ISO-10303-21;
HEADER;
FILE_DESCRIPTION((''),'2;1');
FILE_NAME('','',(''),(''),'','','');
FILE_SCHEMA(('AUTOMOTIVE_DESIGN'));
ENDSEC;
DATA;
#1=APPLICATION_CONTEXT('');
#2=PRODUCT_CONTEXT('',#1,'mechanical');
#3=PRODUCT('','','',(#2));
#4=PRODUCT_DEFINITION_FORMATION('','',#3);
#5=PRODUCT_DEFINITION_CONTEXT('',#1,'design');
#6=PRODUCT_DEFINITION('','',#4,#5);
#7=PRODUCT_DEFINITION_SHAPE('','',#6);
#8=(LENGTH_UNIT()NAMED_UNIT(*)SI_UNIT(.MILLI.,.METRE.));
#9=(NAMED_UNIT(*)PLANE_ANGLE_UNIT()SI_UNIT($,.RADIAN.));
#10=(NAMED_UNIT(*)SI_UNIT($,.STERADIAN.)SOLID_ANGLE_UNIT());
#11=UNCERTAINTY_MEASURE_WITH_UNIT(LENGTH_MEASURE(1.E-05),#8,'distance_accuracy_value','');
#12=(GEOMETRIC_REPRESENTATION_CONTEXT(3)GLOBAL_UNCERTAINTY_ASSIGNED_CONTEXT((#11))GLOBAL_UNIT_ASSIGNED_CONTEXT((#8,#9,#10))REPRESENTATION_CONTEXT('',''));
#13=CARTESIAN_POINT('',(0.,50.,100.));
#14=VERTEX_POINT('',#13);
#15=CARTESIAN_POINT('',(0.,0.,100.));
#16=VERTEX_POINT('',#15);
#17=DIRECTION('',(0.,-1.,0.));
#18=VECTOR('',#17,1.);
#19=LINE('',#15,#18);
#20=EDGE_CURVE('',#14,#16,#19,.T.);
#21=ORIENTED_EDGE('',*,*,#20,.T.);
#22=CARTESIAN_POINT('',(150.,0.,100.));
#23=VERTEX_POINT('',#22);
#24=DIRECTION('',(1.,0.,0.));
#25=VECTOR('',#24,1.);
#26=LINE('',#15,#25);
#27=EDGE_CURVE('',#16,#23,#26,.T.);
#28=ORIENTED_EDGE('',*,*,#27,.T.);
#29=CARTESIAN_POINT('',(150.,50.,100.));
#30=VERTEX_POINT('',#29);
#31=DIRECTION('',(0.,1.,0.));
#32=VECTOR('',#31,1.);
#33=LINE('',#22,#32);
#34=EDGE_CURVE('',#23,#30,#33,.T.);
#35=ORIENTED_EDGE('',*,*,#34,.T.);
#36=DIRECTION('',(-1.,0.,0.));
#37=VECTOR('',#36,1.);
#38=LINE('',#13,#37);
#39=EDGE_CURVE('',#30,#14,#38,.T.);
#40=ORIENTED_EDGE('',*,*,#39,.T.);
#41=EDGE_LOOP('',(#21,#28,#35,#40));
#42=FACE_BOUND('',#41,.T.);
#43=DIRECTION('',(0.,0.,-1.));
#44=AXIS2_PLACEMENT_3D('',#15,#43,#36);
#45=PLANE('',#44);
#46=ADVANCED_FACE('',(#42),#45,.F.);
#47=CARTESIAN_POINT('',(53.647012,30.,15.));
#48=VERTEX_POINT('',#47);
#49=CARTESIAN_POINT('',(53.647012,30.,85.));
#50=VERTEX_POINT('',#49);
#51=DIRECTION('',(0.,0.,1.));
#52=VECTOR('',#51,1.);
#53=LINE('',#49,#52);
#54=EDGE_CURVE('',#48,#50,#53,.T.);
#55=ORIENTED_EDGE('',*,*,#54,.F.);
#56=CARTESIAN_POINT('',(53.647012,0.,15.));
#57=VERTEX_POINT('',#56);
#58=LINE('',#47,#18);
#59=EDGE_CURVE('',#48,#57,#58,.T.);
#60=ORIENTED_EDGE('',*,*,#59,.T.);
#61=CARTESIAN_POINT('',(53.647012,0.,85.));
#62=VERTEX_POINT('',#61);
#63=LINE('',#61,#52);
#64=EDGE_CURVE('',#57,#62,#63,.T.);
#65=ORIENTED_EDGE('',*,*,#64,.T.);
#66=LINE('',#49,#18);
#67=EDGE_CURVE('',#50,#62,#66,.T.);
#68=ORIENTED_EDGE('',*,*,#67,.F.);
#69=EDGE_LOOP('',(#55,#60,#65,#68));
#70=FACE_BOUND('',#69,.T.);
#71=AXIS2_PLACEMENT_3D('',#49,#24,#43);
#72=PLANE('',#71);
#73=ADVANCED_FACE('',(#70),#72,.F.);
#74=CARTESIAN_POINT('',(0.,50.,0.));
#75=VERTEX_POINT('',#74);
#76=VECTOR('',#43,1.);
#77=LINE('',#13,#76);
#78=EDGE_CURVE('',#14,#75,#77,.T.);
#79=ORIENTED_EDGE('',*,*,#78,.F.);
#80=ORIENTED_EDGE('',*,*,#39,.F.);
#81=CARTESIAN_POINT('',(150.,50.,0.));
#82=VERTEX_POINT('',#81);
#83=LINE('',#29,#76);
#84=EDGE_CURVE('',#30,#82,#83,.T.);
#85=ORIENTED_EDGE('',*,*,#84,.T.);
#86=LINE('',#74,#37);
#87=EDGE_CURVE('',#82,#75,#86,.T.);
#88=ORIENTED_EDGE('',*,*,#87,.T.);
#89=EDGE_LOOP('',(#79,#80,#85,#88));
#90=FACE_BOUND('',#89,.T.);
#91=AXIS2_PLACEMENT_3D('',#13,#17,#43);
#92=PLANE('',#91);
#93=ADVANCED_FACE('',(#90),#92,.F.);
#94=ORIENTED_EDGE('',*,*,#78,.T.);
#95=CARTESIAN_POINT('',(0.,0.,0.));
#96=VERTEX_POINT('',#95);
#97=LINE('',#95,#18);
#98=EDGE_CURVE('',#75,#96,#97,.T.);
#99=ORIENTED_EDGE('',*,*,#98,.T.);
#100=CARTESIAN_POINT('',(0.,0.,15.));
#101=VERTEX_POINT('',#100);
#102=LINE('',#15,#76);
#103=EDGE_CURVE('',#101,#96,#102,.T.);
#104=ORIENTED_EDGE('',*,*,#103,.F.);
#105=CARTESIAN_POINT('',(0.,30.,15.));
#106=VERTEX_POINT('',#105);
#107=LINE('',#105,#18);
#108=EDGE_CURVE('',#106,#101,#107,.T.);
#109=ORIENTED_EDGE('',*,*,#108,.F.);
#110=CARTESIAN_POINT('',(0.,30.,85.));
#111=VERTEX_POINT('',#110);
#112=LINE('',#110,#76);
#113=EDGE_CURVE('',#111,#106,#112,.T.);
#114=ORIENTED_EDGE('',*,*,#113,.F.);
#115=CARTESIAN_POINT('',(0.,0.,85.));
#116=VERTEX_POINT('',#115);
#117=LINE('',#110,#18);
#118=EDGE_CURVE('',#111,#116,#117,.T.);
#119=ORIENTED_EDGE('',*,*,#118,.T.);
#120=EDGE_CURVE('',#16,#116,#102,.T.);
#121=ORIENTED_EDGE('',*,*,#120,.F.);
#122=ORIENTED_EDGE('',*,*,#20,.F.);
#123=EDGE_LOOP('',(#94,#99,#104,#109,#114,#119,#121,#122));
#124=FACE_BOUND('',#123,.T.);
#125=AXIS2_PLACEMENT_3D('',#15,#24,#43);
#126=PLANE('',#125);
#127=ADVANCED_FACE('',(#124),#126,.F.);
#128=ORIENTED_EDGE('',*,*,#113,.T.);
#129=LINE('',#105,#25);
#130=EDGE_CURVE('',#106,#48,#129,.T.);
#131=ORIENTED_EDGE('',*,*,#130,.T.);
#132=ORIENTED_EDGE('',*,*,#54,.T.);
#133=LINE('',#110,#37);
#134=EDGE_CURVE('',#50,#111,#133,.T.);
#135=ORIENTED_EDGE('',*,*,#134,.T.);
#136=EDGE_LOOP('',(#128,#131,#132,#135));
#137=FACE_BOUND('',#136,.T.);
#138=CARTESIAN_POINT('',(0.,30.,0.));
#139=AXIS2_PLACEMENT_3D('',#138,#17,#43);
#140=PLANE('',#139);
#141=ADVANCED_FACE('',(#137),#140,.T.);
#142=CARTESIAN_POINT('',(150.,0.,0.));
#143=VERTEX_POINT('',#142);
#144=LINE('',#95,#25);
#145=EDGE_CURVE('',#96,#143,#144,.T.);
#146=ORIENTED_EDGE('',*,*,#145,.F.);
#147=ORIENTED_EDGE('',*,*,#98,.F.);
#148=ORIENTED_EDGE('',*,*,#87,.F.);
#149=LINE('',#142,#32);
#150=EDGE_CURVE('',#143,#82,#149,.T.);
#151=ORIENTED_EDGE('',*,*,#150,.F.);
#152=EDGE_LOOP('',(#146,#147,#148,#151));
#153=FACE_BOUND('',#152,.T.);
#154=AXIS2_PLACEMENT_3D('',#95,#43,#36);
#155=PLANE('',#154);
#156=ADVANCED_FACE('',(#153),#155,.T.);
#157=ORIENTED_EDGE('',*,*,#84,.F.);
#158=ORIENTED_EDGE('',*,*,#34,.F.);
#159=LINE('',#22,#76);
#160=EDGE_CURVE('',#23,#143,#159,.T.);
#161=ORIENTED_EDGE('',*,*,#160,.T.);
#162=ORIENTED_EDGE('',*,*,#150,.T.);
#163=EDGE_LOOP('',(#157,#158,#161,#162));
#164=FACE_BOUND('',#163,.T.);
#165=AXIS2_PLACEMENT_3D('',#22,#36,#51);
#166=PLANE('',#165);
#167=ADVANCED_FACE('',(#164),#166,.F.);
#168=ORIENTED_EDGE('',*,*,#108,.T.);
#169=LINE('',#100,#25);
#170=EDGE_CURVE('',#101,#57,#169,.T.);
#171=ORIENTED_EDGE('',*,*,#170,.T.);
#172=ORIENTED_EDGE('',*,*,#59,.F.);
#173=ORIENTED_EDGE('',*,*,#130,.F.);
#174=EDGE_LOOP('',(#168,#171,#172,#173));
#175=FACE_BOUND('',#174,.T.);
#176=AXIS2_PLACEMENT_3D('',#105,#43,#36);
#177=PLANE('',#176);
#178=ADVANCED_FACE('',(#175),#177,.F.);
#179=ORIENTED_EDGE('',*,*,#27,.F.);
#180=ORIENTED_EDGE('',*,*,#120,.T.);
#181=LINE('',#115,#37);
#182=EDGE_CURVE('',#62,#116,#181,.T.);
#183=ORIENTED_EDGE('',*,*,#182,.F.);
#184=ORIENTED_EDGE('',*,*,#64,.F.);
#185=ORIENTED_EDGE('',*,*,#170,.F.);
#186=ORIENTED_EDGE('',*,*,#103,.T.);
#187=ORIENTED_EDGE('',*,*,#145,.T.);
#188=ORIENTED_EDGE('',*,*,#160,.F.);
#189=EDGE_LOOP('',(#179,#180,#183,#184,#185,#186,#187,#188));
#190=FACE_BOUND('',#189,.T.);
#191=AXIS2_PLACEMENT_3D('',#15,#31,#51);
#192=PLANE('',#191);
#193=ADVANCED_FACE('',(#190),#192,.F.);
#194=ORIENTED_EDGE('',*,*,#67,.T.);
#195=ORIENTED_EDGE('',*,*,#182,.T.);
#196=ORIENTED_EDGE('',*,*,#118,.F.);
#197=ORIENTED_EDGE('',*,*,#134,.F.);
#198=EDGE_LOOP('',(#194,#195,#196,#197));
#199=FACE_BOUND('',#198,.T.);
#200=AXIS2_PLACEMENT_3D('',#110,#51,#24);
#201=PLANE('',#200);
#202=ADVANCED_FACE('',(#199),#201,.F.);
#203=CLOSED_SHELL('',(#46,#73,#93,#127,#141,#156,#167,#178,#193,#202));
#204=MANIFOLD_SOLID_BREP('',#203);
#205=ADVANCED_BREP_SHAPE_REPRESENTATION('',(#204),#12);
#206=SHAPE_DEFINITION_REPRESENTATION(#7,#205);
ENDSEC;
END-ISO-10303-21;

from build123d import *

# Parameters (mm, degrees)
SKETCH1_W           = 150
SKETCH1_H           = 50
BOSS_EXTRUDE1_DEPTH = 100
SKETCH2_W           = 53.64701246
SKETCH2_H           = 70
CUT_EXTRUDE1_DEPTH  = 30


with BuildPart() as part:
    # Sketch1 → Boss-Extrude1 (new body)
    with BuildSketch(Plane.XY):
        with Locations((75, 25)):
            Rectangle(SKETCH1_W, SKETCH1_H)
    extrude(amount=BOSS_EXTRUDE1_DEPTH)

    # Sketch2 → Cut-Extrude1 (cut)
    with BuildSketch(Plane.XZ):
        with Locations((26.82350623, 50)):
            Rectangle(SKETCH2_W, SKETCH2_H)
    extrude(amount=-CUT_EXTRUDE1_DEPTH, mode=Mode.SUBTRACT)


solid = part.part
